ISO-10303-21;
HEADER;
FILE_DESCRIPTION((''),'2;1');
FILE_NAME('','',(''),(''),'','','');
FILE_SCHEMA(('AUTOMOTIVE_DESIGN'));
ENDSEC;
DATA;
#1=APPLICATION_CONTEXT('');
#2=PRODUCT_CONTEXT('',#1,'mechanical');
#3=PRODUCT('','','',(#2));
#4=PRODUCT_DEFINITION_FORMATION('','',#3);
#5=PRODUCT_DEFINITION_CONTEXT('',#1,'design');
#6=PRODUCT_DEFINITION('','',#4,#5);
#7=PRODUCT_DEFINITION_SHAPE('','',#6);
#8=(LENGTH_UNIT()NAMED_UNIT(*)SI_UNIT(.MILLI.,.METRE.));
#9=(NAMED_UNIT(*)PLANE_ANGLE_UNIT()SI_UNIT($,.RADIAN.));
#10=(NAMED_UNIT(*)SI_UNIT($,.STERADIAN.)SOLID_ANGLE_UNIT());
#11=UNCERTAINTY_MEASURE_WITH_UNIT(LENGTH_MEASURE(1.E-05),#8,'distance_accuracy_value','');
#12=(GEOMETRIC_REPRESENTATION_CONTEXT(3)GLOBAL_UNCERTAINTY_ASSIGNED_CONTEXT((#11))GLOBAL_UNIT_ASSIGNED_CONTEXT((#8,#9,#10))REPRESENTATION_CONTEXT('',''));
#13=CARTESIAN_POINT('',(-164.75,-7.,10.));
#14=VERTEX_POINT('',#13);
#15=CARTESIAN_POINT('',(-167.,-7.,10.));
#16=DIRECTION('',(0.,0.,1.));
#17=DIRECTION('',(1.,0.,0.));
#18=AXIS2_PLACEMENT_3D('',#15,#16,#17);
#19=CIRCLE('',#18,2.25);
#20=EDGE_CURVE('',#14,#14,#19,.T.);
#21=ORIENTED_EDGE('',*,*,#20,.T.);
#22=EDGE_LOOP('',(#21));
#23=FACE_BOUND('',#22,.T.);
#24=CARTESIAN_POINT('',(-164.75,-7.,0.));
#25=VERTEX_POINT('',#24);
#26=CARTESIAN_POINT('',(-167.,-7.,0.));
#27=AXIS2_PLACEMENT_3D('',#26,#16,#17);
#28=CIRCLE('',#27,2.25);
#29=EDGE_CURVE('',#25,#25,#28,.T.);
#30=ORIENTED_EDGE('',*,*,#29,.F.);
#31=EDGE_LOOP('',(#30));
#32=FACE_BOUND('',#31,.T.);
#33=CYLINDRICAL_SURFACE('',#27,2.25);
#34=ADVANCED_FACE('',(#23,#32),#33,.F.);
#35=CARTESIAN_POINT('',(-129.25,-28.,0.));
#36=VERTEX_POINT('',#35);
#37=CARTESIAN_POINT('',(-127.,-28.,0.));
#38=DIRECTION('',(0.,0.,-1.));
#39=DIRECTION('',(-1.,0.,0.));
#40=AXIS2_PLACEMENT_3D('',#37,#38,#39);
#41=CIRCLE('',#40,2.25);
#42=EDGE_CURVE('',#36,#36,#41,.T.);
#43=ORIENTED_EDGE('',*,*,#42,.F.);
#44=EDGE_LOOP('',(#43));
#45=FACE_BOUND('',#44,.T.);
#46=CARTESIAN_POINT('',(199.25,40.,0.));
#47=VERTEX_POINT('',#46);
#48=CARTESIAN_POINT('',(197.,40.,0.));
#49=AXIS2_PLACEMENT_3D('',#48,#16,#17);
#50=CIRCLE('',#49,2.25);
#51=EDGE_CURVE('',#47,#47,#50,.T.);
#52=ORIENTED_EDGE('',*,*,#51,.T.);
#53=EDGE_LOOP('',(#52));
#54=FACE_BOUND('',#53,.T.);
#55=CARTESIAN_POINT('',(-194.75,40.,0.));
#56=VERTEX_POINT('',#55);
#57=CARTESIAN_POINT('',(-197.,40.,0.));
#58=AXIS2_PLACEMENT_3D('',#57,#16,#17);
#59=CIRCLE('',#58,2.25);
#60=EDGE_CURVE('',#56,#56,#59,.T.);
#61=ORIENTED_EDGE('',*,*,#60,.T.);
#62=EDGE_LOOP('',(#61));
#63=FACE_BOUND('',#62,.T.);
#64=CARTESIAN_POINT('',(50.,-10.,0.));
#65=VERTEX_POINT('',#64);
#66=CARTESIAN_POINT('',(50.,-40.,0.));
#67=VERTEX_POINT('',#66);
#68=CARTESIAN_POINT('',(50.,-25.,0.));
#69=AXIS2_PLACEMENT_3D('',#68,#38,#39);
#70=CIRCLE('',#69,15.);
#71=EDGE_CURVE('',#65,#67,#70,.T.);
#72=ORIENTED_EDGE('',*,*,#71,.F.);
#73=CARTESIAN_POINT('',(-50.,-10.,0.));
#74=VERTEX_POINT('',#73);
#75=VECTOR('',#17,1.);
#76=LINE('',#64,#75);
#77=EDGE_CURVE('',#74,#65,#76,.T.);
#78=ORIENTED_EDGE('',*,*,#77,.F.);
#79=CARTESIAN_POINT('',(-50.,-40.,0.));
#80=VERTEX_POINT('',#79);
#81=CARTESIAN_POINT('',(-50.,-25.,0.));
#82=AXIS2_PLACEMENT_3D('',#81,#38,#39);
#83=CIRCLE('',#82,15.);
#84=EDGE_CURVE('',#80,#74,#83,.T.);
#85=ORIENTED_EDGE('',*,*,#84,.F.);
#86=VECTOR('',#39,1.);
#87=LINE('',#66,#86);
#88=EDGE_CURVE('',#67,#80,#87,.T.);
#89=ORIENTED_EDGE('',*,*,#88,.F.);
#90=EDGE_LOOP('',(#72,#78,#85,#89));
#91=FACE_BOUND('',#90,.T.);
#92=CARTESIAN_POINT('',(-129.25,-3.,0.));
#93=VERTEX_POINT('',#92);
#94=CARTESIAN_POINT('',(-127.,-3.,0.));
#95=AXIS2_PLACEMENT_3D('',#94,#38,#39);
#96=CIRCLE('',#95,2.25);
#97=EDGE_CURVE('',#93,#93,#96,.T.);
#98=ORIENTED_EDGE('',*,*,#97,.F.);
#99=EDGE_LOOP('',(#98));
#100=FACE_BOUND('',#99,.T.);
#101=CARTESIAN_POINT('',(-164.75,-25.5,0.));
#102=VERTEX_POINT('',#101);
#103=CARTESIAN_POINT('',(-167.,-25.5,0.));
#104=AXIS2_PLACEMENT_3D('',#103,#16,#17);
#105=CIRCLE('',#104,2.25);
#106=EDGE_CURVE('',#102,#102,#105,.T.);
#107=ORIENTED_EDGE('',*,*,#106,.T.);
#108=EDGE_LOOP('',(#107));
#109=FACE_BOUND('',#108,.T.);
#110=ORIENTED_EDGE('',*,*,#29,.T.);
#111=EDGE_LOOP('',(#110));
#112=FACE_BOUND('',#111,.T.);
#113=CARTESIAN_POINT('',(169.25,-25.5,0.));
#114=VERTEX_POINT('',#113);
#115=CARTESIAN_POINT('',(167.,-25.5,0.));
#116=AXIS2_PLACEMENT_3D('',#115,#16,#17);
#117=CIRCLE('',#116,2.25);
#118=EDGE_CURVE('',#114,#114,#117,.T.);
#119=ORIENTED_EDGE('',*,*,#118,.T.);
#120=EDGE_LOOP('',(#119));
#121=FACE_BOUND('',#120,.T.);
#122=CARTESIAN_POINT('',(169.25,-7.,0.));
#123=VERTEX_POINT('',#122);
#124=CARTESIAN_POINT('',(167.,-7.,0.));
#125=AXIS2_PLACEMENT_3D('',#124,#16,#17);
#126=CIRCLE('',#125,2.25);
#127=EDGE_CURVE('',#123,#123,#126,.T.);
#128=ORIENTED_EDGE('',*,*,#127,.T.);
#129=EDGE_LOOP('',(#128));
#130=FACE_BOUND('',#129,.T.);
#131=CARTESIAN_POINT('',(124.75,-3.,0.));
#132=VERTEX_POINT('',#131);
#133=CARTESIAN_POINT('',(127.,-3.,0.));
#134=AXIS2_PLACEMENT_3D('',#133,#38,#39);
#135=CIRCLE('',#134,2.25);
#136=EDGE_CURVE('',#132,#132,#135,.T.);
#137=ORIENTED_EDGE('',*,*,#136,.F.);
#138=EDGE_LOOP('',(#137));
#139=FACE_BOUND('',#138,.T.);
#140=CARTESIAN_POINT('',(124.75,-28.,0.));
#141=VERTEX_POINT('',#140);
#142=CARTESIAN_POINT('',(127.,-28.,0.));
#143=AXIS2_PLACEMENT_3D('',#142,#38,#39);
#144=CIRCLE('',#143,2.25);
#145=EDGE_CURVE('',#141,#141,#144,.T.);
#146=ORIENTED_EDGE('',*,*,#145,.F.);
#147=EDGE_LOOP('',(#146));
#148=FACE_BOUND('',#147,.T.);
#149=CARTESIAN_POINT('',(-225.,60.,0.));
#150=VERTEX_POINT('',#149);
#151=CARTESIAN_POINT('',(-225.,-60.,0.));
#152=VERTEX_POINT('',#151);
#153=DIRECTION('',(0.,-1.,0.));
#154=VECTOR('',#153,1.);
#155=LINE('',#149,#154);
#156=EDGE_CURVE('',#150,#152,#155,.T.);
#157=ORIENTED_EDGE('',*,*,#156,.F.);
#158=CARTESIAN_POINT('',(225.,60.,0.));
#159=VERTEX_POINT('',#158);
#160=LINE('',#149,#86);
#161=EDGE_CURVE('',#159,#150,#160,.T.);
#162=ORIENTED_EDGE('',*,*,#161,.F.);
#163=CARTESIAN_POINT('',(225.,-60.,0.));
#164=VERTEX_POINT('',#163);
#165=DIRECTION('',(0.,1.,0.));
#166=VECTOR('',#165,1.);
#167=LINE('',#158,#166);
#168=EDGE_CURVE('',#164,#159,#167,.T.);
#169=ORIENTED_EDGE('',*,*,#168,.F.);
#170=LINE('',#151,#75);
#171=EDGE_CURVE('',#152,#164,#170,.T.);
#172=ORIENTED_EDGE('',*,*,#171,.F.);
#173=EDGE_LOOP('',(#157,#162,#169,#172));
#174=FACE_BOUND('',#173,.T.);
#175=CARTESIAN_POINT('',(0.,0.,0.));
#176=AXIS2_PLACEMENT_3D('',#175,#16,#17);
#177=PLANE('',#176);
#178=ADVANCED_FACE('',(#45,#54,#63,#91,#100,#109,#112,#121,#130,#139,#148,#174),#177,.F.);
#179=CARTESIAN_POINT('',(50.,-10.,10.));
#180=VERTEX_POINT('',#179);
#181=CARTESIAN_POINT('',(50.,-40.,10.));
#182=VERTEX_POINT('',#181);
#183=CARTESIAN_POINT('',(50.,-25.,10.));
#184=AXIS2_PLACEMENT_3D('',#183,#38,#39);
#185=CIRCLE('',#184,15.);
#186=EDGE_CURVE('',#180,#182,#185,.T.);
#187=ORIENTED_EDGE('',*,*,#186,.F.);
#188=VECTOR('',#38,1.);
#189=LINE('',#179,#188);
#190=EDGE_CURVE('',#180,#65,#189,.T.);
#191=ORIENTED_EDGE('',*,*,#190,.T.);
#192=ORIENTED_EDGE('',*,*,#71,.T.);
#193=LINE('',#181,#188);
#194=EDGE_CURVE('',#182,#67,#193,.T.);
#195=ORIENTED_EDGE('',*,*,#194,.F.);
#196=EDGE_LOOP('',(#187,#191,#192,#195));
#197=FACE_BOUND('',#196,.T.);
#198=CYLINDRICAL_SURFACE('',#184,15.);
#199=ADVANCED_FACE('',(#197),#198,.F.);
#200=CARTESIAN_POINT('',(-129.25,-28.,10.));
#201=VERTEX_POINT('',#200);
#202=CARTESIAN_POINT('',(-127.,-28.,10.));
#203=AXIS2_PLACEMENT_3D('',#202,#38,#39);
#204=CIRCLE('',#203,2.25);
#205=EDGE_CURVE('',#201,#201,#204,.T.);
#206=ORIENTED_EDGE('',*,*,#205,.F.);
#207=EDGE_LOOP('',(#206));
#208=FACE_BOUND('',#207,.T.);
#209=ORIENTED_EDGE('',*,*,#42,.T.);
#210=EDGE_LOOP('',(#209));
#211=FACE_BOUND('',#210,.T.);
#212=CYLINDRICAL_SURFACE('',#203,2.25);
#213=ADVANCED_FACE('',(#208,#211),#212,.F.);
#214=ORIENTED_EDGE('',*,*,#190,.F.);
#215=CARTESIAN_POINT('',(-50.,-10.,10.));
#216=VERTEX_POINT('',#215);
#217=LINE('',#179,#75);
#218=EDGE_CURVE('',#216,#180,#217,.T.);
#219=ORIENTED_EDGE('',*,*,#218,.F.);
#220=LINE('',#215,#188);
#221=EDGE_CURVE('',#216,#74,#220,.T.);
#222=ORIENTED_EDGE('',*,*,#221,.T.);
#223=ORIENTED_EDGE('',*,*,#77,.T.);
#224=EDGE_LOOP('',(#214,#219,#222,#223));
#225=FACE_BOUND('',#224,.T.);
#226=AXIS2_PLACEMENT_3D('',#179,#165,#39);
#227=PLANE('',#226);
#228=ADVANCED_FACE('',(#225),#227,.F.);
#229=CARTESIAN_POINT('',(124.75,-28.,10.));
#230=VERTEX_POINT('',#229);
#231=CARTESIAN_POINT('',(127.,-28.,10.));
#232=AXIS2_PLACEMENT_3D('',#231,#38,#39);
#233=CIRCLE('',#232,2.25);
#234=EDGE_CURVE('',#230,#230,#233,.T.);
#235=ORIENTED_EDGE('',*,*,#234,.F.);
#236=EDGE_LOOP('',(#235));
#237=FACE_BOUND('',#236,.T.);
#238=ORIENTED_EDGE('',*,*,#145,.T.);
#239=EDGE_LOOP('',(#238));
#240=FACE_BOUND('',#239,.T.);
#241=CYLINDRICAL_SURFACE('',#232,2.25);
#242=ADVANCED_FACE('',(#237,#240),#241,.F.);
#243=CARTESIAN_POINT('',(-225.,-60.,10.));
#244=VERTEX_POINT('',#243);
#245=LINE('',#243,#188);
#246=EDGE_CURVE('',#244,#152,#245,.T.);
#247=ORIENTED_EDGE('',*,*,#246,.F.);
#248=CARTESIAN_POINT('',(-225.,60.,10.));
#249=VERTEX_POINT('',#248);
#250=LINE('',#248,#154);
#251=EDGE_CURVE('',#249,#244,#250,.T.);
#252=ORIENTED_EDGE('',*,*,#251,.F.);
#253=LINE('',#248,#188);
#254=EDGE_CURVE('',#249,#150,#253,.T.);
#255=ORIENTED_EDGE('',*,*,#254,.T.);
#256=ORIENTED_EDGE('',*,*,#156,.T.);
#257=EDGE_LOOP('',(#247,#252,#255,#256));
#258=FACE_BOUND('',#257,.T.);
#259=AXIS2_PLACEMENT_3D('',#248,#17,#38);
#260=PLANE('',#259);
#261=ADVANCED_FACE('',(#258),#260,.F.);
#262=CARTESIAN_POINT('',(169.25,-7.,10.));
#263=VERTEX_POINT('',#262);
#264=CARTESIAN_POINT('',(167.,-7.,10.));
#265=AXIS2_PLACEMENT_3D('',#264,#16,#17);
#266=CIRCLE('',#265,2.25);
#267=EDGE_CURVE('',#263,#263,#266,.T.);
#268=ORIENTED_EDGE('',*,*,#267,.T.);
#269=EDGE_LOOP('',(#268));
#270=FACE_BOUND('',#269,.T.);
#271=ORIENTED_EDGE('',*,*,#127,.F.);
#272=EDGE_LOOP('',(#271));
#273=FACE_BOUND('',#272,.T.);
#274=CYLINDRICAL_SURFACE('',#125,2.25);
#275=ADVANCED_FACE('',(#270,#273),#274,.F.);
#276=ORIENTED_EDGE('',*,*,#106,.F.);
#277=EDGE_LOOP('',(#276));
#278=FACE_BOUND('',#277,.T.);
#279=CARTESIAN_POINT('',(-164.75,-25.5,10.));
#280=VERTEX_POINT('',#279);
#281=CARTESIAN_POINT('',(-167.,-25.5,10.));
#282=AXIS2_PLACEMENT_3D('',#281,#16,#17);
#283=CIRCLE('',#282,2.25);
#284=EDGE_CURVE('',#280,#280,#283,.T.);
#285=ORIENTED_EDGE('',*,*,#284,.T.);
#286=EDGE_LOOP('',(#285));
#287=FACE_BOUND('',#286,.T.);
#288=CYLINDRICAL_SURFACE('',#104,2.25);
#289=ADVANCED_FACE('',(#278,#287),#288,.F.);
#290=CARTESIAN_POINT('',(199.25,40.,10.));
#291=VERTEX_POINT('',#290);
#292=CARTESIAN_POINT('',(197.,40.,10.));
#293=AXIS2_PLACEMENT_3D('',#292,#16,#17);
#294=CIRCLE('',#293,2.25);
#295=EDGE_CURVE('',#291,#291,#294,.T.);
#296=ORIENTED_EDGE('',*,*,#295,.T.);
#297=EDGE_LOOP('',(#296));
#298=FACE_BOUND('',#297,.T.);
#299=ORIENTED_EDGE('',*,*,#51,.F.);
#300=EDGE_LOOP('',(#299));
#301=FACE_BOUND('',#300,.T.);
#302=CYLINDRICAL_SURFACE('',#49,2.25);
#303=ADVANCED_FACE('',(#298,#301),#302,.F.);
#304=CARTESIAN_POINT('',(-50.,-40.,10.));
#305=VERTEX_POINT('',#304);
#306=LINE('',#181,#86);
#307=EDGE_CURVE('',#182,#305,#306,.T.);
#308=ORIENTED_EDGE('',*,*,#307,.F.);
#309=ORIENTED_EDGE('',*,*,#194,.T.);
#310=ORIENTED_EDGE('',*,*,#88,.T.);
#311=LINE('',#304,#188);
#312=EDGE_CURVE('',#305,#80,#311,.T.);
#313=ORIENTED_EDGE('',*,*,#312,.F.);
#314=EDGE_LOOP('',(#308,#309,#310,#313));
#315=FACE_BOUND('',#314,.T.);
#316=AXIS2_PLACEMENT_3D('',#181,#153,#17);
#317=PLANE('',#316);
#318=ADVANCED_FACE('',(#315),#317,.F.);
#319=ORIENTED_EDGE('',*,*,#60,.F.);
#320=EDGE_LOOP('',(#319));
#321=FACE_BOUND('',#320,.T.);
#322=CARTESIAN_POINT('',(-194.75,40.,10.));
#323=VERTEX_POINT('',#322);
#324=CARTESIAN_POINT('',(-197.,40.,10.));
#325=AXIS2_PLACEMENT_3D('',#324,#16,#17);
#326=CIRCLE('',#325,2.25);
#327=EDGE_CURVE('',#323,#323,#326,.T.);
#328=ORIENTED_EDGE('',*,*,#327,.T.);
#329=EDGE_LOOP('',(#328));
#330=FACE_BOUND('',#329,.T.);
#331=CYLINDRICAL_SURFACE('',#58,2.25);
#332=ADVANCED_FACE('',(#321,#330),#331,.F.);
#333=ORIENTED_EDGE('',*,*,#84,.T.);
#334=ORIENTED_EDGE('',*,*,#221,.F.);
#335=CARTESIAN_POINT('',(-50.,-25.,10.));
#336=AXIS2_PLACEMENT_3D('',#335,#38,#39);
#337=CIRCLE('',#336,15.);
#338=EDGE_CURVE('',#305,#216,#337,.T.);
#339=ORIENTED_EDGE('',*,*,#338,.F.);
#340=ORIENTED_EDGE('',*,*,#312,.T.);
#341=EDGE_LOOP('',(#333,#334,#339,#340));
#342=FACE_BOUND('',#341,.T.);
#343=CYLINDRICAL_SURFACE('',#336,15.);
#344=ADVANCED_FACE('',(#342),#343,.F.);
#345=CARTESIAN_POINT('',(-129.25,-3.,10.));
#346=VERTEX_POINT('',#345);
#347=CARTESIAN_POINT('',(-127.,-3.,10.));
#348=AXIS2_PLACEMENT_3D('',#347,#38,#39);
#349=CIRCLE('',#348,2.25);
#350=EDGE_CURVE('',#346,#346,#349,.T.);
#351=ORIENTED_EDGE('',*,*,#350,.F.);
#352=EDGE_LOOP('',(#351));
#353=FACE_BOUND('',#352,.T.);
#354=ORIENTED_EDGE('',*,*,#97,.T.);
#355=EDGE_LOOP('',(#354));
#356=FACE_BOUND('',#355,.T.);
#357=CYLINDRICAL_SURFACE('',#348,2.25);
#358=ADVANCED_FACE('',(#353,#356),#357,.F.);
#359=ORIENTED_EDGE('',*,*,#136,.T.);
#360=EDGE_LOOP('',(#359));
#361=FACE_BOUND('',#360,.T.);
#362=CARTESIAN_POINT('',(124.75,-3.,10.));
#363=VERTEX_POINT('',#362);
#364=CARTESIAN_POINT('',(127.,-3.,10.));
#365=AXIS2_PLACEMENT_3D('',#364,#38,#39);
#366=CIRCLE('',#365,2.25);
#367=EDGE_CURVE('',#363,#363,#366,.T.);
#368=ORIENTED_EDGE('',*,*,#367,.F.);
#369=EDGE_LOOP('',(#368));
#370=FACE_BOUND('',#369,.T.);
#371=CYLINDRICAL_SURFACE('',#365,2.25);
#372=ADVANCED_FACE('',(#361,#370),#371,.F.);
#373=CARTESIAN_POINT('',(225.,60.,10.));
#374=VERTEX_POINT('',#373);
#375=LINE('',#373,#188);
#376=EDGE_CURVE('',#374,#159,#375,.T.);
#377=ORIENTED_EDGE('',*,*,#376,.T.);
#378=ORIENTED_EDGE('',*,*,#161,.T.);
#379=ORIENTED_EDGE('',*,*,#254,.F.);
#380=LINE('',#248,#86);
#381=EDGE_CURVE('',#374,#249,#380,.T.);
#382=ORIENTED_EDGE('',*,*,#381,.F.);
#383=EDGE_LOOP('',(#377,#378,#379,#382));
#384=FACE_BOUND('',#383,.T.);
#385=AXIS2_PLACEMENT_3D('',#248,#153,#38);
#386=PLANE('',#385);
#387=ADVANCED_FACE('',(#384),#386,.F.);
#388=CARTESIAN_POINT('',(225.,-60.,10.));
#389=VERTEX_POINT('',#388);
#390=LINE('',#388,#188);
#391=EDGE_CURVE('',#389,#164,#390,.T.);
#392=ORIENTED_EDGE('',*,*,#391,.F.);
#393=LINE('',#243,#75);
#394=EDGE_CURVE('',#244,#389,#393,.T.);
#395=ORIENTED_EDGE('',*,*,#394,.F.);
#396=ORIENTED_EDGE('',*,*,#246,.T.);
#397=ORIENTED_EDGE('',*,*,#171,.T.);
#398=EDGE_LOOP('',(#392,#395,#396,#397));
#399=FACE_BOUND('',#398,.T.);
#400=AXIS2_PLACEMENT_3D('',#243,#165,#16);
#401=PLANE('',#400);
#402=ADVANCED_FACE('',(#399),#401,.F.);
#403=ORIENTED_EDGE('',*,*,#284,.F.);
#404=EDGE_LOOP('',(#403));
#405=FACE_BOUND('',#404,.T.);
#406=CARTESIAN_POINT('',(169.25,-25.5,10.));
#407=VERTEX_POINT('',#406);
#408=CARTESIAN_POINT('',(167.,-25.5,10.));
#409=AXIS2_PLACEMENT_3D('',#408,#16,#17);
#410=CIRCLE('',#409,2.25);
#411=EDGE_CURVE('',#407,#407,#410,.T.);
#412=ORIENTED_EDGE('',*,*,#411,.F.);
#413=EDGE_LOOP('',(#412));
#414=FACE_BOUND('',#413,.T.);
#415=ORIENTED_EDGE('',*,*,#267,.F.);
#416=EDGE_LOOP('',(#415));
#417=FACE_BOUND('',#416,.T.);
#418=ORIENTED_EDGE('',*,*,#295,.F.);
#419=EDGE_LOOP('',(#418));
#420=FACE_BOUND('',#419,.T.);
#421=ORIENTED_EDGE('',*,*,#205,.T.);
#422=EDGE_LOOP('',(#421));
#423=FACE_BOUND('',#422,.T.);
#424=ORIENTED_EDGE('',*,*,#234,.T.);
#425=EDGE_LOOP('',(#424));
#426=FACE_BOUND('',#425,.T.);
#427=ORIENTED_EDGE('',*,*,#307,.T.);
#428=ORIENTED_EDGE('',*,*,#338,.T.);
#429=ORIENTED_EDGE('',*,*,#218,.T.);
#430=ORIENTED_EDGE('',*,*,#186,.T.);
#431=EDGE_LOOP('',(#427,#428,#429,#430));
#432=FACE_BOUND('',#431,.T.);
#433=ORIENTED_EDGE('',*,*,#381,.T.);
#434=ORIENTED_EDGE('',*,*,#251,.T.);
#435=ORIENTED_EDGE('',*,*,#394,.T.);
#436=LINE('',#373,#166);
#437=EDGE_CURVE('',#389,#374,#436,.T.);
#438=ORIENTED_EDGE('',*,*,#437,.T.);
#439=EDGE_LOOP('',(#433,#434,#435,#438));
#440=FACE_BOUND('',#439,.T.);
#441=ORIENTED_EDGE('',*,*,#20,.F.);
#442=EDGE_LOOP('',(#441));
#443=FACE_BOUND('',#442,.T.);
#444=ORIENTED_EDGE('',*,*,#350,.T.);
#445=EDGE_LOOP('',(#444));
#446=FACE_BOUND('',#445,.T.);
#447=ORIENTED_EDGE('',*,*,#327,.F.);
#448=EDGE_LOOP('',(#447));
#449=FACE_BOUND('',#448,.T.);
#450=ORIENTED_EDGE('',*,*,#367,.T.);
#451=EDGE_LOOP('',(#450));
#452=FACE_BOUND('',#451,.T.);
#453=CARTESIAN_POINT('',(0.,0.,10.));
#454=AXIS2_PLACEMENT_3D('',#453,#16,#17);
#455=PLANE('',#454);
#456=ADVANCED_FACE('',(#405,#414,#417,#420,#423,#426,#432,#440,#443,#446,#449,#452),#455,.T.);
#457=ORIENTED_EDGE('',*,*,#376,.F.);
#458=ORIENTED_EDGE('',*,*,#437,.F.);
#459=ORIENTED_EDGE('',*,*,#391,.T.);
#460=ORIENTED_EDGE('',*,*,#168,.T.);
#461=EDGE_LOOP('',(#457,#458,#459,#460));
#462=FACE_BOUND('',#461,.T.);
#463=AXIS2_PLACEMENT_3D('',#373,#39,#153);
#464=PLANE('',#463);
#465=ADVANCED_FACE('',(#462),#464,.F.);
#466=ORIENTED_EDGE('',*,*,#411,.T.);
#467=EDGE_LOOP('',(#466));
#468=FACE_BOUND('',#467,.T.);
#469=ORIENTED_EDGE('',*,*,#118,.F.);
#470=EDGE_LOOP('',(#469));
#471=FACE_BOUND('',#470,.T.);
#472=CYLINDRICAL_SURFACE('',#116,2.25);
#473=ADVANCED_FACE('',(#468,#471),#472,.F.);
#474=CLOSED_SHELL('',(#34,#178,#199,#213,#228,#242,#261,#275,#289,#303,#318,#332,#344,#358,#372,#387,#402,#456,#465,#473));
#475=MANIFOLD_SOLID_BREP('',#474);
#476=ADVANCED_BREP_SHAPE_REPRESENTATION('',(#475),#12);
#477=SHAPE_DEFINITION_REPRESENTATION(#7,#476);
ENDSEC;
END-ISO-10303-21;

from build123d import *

# Parameters (mm, degrees)
SCHIZZO1_W                   = 450
SCHIZZO1_H                   = 120
ESTRUSIONE_ESTRUSIONE1_DEPTH = 10
TAGLIO_ESTRUSIONE1_DEPTH     = 10
SCHIZZO3_R                   = 2.25
TAGLIO_ESTRUSIONE2_DEPTH     = 10
SCHIZZO4_R                   = 2.25
TAGLIO_ESTRUSIONE3_DEPTH     = 10


with BuildPart() as part:
    # Schizzo1 → Estrusione-Estrusione1 (new body)
    with BuildSketch(Plane.XY):
        Rectangle(SCHIZZO1_W, SCHIZZO1_H)
    extrude(amount=ESTRUSIONE_ESTRUSIONE1_DEPTH)

    # Schizzo2 → Taglio-Estrusione1 (cut)
    with BuildSketch(Plane(origin=(0, 0, 0), x_dir=(-1, 0, 0), z_dir=(0, 0, -1))):
        with BuildLine():
            Line((-50, -10), (50, -10))
            ThreePointArc((50, -10), (65, -25), (50, -40))
            Line((50, -40), (-50, -40))
            ThreePointArc((-50, -40), (-65, -25), (-50, -10))
        make_face()
    extrude(amount=-TAGLIO_ESTRUSIONE1_DEPTH, mode=Mode.SUBTRACT)

    # Schizzo3 → Taglio-Estrusione2 (cut)
    with BuildSketch(Plane.XY.offset(10)):
        with Locations((-167, -7)):
            Circle(SCHIZZO3_R)
        with Locations((-167, -25.5)):
            Circle(SCHIZZO3_R)
        with Locations((167, -7)):
            Circle(SCHIZZO3_R)
        with Locations((167, -25.5)):
            Circle(SCHIZZO3_R)
        with Locations((197, 40)):
            Circle(SCHIZZO3_R)
        with Locations((-197, 40)):
            Circle(SCHIZZO3_R)
    extrude(amount=-TAGLIO_ESTRUSIONE2_DEPTH, mode=Mode.SUBTRACT)

    # Schizzo4 → Taglio-Estrusione3 (cut)
    with BuildSketch(Plane(origin=(0, 0, 0), x_dir=(-1, 0, 0), z_dir=(0, 0, -1))):
        with Locations((-127, -3)):
            Circle(SCHIZZO4_R)
        with Locations((-127, -28)):
            Circle(SCHIZZO4_R)
        with Locations((127, -28)):
            Circle(SCHIZZO4_R)
        with Locations((127, -3)):
            Circle(SCHIZZO4_R)
    extrude(amount=-TAGLIO_ESTRUSIONE3_DEPTH, mode=Mode.SUBTRACT)


solid = part.part
